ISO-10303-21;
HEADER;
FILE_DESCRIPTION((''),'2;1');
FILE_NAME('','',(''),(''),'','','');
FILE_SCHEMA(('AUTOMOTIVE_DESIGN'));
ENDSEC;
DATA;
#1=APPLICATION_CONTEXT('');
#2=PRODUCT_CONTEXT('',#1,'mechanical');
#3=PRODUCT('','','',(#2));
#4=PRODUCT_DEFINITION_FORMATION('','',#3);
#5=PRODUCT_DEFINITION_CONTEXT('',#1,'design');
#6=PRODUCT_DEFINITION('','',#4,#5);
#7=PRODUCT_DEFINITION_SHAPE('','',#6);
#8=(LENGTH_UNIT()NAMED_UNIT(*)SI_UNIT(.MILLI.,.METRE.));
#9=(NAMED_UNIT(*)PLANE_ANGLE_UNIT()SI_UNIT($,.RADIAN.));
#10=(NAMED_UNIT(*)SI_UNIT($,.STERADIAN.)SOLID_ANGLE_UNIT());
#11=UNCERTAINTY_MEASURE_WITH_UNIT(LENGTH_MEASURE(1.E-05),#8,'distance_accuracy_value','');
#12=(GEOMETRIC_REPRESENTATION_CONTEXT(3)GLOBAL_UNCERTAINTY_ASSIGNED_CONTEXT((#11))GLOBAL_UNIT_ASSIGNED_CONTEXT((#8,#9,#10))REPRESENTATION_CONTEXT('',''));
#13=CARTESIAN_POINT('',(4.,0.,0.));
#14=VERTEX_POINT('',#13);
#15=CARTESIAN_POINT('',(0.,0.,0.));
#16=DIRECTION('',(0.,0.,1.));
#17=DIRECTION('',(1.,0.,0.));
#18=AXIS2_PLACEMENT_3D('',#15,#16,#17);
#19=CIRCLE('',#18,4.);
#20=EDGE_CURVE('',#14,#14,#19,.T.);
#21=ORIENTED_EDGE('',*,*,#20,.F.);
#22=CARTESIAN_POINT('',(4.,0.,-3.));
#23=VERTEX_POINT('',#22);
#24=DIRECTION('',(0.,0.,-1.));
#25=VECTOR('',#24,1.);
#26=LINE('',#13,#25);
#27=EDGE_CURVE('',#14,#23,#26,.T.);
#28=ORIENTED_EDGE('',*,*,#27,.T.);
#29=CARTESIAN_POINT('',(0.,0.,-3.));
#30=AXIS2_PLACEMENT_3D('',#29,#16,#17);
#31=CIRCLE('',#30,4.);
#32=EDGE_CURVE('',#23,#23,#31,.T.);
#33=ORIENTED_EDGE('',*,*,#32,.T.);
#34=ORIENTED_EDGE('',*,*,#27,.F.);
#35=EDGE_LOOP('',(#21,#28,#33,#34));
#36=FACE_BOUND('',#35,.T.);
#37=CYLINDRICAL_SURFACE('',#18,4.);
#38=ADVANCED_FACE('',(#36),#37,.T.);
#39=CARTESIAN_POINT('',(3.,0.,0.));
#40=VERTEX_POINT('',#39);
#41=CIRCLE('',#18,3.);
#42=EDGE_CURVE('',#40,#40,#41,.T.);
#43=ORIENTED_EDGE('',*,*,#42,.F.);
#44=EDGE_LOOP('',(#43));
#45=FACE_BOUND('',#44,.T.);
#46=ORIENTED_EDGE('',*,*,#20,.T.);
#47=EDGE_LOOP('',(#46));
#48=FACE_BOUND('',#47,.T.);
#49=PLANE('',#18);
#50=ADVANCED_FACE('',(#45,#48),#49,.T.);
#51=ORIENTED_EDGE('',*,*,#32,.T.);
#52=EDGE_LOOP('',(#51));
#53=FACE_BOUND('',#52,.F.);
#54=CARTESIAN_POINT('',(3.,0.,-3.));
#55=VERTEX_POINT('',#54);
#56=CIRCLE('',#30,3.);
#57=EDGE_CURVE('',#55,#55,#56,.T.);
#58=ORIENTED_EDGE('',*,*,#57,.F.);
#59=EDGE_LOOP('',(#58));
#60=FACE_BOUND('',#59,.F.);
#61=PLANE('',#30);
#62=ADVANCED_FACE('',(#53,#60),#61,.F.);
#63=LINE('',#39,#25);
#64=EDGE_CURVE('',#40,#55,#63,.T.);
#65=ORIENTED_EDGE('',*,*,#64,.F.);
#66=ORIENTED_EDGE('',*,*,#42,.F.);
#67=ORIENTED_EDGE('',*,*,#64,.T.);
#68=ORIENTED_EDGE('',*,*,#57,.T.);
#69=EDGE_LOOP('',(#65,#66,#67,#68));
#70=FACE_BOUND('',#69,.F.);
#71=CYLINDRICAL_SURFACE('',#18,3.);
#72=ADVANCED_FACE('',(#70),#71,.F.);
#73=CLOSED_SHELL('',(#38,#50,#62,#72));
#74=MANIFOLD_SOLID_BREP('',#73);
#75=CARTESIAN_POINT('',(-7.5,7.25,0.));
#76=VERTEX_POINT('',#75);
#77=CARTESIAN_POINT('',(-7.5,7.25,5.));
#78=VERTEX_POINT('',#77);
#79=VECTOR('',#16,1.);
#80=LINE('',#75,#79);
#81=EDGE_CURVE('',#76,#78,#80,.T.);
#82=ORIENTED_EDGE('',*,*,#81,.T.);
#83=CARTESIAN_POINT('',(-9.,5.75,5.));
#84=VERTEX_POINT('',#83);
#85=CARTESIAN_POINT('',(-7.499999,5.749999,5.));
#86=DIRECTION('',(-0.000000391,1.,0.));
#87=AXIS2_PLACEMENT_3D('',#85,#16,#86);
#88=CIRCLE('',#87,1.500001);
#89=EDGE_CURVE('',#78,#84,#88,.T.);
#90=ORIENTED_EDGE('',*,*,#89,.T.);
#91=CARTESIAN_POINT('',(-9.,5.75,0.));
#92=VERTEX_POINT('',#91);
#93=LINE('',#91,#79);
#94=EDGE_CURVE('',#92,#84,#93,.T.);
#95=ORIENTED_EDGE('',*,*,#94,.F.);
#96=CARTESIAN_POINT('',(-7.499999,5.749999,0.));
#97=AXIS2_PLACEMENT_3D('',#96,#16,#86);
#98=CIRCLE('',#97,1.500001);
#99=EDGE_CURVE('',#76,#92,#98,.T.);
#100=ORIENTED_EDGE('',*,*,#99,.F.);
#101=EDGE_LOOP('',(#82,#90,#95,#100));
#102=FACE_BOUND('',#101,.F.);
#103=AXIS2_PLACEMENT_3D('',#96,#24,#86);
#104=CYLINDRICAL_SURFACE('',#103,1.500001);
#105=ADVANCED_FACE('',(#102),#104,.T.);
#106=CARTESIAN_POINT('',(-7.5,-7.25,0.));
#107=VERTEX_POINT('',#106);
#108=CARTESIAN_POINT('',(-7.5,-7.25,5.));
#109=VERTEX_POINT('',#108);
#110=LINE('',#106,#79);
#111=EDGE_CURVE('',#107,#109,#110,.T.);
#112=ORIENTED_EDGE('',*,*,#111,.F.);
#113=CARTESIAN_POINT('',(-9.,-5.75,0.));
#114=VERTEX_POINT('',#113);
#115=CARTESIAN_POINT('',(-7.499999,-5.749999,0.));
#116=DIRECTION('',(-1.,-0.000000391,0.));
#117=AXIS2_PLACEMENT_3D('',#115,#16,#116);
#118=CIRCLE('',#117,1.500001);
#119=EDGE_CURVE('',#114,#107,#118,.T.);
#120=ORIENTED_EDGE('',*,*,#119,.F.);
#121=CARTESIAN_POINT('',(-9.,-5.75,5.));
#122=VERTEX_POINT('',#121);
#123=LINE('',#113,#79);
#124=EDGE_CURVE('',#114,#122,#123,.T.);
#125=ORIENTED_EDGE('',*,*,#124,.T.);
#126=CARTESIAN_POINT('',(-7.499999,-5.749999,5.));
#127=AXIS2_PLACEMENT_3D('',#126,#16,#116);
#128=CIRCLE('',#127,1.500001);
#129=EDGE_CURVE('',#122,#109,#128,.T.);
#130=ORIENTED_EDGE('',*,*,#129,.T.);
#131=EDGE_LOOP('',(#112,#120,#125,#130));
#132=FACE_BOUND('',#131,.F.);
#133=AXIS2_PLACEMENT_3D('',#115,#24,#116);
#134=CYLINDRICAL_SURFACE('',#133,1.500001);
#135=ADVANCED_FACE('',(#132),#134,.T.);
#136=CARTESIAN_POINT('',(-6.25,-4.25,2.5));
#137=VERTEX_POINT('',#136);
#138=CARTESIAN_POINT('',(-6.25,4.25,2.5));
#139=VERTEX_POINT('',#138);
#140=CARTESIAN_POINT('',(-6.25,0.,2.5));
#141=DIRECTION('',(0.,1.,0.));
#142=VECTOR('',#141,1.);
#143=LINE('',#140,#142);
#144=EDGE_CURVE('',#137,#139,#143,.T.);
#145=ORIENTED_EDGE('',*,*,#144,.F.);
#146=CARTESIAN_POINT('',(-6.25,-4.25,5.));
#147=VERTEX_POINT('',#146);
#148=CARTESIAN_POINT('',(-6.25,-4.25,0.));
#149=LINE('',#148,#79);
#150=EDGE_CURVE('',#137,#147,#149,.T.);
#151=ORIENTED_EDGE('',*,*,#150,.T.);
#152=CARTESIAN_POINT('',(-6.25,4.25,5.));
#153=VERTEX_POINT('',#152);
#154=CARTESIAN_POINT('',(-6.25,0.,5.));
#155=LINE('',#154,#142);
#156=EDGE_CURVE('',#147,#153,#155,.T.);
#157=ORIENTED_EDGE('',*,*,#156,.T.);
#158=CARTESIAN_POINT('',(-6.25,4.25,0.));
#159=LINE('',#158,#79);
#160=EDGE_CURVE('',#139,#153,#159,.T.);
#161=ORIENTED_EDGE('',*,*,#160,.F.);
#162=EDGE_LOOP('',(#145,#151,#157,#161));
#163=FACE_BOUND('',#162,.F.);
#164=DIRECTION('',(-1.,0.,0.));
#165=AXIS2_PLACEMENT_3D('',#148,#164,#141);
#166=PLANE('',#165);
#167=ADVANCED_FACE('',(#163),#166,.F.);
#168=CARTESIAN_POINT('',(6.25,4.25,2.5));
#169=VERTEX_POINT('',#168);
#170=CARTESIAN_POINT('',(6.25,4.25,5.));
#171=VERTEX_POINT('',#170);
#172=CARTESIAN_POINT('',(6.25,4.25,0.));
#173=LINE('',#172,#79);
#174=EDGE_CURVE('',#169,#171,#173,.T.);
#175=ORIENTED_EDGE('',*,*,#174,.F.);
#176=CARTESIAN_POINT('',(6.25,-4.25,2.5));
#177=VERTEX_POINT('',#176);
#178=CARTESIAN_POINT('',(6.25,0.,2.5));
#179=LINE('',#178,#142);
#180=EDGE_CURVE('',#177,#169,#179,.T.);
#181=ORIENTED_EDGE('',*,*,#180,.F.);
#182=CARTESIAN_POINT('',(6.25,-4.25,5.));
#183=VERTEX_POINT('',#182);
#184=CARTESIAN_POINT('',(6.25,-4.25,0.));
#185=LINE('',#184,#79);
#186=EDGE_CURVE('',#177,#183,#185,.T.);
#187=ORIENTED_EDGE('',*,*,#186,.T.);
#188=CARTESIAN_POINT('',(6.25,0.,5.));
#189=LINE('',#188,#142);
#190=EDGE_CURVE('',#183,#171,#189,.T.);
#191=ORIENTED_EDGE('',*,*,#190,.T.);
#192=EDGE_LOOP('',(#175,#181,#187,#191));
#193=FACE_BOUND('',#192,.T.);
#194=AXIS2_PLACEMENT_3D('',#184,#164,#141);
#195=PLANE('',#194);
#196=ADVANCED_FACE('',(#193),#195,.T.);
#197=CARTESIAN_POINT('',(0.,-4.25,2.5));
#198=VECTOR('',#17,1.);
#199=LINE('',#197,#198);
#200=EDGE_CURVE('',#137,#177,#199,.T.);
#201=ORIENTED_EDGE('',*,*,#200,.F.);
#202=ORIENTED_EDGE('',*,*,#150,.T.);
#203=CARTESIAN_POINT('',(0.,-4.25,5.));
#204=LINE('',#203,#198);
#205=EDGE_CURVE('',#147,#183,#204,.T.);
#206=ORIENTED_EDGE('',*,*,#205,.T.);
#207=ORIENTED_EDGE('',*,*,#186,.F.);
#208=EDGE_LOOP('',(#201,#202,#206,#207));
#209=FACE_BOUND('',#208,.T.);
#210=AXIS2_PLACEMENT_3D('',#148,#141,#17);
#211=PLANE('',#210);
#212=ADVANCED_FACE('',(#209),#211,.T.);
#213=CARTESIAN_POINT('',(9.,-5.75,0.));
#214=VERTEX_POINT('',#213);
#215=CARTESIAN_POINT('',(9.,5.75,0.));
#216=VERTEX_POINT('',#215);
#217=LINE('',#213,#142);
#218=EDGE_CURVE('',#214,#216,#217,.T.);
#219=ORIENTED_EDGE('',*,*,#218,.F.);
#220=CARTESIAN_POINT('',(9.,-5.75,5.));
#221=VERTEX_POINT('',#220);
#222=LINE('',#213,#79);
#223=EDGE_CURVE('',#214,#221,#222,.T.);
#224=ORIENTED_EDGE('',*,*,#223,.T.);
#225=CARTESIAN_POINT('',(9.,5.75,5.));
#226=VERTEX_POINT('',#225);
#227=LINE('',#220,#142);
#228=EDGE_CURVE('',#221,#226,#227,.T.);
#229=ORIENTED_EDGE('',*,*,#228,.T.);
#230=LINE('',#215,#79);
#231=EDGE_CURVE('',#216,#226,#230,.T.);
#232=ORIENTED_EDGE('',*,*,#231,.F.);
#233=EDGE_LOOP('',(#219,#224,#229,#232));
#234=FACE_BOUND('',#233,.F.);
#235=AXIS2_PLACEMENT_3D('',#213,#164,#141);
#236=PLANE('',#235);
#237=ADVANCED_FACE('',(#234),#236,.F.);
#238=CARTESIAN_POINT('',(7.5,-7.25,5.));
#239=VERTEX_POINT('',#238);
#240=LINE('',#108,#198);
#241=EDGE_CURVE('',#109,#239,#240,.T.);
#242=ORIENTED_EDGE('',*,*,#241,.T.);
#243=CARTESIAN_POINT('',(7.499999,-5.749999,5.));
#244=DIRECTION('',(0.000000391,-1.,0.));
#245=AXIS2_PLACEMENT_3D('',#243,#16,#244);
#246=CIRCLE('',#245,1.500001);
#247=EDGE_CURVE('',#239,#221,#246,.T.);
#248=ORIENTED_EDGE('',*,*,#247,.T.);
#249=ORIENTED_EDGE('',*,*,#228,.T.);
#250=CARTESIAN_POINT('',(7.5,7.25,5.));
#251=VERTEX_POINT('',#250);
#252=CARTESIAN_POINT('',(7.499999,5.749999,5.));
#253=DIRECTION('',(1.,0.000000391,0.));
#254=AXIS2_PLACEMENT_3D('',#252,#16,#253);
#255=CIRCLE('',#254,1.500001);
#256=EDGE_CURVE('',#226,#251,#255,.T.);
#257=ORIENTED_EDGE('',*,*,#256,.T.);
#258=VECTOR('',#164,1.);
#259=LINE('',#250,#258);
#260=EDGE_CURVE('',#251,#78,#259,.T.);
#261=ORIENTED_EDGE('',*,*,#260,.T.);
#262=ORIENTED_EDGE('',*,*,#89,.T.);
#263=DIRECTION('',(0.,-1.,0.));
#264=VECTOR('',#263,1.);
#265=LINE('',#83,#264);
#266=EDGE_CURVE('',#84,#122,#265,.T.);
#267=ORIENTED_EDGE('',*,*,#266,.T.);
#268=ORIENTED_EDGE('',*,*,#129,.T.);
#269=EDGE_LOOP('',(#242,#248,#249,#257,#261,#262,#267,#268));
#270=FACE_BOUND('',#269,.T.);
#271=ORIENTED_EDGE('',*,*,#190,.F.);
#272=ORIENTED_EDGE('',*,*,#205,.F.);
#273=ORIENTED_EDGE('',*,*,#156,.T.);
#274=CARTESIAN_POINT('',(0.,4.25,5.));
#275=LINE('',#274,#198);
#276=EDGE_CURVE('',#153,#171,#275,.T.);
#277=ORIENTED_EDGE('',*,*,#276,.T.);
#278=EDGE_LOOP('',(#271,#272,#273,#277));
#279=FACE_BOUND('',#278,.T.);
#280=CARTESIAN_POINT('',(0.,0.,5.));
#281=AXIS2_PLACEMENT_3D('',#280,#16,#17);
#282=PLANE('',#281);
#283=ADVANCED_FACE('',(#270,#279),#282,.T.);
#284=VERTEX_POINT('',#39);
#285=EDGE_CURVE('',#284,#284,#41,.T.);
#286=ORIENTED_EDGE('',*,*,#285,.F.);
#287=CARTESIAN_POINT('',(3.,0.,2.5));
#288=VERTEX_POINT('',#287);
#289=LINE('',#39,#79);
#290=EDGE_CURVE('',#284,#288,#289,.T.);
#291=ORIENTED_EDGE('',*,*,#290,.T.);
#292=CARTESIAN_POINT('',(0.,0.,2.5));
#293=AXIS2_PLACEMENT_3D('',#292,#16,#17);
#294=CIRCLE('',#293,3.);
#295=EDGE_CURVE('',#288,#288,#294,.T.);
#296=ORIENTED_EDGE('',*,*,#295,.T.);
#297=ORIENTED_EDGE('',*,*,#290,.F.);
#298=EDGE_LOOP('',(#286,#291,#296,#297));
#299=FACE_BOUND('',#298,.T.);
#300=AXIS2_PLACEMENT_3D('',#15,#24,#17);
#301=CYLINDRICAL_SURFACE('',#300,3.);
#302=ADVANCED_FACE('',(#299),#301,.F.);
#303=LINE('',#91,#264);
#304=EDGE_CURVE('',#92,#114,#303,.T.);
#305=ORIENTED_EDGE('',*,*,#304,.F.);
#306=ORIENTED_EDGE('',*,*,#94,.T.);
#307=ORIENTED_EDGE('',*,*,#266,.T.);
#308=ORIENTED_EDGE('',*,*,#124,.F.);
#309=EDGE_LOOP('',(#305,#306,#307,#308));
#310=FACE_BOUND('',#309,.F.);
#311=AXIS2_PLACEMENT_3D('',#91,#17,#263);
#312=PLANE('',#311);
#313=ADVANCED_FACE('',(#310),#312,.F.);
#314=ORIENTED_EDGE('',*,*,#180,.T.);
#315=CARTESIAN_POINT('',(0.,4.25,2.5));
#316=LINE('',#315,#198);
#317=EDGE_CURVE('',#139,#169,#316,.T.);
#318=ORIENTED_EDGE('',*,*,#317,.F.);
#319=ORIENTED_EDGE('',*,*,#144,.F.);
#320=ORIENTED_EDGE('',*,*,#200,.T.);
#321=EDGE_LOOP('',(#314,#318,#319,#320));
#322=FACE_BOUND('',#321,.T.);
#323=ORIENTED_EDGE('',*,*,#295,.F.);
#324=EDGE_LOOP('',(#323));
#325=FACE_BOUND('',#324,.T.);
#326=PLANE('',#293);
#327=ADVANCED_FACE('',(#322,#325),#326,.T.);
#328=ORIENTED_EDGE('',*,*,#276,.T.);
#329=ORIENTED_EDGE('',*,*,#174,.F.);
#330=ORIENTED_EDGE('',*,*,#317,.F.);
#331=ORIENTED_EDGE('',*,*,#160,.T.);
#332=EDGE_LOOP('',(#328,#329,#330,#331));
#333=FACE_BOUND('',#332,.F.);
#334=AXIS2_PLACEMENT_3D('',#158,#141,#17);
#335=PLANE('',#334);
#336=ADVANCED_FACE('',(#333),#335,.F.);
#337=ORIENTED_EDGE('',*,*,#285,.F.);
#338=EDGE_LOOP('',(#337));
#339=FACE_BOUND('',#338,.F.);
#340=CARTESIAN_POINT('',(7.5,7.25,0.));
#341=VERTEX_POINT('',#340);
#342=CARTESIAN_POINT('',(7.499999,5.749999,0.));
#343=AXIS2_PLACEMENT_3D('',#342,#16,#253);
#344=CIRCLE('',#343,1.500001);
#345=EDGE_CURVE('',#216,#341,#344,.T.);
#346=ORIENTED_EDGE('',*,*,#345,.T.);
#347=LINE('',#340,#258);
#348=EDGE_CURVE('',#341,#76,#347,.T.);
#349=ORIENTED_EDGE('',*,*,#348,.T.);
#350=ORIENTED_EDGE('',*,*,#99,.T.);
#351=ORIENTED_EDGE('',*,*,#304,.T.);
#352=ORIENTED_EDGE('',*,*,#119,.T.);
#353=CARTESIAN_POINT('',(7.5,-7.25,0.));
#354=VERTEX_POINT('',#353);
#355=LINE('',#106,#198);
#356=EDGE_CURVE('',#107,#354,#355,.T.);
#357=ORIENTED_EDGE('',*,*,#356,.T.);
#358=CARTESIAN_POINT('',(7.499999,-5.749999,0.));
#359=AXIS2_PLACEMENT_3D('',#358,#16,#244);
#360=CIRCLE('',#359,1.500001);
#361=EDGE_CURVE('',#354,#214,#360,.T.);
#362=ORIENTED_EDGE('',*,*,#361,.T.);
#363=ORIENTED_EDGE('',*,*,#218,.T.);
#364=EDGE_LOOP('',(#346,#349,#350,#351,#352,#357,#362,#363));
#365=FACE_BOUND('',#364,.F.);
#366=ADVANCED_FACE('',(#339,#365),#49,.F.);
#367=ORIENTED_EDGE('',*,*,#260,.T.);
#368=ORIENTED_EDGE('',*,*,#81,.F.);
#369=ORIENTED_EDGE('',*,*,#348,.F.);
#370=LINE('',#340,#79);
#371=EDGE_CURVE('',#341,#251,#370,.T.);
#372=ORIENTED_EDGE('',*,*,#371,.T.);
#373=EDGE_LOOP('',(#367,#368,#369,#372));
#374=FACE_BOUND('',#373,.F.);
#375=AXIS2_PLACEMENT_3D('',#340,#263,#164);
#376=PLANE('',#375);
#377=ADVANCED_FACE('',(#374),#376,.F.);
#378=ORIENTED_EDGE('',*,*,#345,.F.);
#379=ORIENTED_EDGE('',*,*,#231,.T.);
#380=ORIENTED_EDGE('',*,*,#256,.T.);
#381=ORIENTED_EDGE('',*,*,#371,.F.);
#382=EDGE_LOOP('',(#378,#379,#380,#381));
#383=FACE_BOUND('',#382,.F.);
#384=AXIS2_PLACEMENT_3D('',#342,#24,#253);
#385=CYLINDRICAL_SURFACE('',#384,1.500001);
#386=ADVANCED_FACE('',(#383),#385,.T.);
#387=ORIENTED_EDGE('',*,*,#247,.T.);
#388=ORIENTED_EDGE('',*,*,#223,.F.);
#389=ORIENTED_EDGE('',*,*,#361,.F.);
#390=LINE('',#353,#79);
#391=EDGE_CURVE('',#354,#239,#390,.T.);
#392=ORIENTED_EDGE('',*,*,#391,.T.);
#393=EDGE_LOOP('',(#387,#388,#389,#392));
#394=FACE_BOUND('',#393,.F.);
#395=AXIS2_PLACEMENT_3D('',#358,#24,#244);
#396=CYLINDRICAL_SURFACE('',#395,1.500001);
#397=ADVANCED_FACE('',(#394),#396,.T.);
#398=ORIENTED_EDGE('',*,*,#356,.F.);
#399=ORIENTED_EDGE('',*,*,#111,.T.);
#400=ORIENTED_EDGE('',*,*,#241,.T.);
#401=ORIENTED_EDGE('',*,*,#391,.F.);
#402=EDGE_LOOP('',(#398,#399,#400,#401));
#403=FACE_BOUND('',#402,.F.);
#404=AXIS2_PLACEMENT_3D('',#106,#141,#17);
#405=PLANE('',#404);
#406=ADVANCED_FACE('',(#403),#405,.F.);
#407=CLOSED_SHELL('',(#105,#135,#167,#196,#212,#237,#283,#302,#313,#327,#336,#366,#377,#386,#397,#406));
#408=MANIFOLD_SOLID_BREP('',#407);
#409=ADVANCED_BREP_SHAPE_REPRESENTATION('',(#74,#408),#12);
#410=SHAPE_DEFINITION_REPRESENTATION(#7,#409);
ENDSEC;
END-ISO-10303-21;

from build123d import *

# Parameters (mm, degrees)
F0_W     = 12.5
F0_H     = 8.5
F0_R     = 4
F0_R_2   = 3
F1_DEPTH = 2.5
F2_DEPTH = 5
F3_DEPTH = 3


with BuildPart() as f1:
    # F0 (on Top) → F1 (new body)
    with BuildSketch(Plane.XY):
        Rectangle(F0_W, F0_H)
        Circle(F0_R, mode=Mode.SUBTRACT)
        Circle(F0_R)
        Circle(F0_R_2, mode=Mode.SUBTRACT)
    extrude(amount=F1_DEPTH)

    # F0 (on Top) → F2 (join)
    with BuildSketch(Plane.XY):
        with BuildLine():
            Line((7.5, 7.25), (-7.5, 7.25))
            ThreePointArc((-7.5, 7.25), (-8.56066, 6.81066), (-9, 5.75))
            Line((-9, 5.75), (-9, -5.75))
            ThreePointArc((-9, -5.75), (-8.56066, -6.81066), (-7.5, -7.25))
            Line((-7.5, -7.25), (7.5, -7.25))
            ThreePointArc((7.5, -7.25), (8.56066, -6.81066), (9, -5.75))
            Line((9, -5.75), (9, 5.75))
            ThreePointArc((9, 5.75), (8.56066, 6.81066), (7.5, 7.25))
        make_face()
        Rectangle(F0_W, F0_H, mode=Mode.SUBTRACT)
    extrude(amount=F2_DEPTH)


with BuildPart() as f3:
    # F0 (on Top) → F3 (new body)
    with BuildSketch(Plane.XY):
        Circle(F0_R)
        Circle(F0_R_2, mode=Mode.SUBTRACT)
    extrude(amount=-F3_DEPTH)


solid = Compound([f1.part, f3.part])
